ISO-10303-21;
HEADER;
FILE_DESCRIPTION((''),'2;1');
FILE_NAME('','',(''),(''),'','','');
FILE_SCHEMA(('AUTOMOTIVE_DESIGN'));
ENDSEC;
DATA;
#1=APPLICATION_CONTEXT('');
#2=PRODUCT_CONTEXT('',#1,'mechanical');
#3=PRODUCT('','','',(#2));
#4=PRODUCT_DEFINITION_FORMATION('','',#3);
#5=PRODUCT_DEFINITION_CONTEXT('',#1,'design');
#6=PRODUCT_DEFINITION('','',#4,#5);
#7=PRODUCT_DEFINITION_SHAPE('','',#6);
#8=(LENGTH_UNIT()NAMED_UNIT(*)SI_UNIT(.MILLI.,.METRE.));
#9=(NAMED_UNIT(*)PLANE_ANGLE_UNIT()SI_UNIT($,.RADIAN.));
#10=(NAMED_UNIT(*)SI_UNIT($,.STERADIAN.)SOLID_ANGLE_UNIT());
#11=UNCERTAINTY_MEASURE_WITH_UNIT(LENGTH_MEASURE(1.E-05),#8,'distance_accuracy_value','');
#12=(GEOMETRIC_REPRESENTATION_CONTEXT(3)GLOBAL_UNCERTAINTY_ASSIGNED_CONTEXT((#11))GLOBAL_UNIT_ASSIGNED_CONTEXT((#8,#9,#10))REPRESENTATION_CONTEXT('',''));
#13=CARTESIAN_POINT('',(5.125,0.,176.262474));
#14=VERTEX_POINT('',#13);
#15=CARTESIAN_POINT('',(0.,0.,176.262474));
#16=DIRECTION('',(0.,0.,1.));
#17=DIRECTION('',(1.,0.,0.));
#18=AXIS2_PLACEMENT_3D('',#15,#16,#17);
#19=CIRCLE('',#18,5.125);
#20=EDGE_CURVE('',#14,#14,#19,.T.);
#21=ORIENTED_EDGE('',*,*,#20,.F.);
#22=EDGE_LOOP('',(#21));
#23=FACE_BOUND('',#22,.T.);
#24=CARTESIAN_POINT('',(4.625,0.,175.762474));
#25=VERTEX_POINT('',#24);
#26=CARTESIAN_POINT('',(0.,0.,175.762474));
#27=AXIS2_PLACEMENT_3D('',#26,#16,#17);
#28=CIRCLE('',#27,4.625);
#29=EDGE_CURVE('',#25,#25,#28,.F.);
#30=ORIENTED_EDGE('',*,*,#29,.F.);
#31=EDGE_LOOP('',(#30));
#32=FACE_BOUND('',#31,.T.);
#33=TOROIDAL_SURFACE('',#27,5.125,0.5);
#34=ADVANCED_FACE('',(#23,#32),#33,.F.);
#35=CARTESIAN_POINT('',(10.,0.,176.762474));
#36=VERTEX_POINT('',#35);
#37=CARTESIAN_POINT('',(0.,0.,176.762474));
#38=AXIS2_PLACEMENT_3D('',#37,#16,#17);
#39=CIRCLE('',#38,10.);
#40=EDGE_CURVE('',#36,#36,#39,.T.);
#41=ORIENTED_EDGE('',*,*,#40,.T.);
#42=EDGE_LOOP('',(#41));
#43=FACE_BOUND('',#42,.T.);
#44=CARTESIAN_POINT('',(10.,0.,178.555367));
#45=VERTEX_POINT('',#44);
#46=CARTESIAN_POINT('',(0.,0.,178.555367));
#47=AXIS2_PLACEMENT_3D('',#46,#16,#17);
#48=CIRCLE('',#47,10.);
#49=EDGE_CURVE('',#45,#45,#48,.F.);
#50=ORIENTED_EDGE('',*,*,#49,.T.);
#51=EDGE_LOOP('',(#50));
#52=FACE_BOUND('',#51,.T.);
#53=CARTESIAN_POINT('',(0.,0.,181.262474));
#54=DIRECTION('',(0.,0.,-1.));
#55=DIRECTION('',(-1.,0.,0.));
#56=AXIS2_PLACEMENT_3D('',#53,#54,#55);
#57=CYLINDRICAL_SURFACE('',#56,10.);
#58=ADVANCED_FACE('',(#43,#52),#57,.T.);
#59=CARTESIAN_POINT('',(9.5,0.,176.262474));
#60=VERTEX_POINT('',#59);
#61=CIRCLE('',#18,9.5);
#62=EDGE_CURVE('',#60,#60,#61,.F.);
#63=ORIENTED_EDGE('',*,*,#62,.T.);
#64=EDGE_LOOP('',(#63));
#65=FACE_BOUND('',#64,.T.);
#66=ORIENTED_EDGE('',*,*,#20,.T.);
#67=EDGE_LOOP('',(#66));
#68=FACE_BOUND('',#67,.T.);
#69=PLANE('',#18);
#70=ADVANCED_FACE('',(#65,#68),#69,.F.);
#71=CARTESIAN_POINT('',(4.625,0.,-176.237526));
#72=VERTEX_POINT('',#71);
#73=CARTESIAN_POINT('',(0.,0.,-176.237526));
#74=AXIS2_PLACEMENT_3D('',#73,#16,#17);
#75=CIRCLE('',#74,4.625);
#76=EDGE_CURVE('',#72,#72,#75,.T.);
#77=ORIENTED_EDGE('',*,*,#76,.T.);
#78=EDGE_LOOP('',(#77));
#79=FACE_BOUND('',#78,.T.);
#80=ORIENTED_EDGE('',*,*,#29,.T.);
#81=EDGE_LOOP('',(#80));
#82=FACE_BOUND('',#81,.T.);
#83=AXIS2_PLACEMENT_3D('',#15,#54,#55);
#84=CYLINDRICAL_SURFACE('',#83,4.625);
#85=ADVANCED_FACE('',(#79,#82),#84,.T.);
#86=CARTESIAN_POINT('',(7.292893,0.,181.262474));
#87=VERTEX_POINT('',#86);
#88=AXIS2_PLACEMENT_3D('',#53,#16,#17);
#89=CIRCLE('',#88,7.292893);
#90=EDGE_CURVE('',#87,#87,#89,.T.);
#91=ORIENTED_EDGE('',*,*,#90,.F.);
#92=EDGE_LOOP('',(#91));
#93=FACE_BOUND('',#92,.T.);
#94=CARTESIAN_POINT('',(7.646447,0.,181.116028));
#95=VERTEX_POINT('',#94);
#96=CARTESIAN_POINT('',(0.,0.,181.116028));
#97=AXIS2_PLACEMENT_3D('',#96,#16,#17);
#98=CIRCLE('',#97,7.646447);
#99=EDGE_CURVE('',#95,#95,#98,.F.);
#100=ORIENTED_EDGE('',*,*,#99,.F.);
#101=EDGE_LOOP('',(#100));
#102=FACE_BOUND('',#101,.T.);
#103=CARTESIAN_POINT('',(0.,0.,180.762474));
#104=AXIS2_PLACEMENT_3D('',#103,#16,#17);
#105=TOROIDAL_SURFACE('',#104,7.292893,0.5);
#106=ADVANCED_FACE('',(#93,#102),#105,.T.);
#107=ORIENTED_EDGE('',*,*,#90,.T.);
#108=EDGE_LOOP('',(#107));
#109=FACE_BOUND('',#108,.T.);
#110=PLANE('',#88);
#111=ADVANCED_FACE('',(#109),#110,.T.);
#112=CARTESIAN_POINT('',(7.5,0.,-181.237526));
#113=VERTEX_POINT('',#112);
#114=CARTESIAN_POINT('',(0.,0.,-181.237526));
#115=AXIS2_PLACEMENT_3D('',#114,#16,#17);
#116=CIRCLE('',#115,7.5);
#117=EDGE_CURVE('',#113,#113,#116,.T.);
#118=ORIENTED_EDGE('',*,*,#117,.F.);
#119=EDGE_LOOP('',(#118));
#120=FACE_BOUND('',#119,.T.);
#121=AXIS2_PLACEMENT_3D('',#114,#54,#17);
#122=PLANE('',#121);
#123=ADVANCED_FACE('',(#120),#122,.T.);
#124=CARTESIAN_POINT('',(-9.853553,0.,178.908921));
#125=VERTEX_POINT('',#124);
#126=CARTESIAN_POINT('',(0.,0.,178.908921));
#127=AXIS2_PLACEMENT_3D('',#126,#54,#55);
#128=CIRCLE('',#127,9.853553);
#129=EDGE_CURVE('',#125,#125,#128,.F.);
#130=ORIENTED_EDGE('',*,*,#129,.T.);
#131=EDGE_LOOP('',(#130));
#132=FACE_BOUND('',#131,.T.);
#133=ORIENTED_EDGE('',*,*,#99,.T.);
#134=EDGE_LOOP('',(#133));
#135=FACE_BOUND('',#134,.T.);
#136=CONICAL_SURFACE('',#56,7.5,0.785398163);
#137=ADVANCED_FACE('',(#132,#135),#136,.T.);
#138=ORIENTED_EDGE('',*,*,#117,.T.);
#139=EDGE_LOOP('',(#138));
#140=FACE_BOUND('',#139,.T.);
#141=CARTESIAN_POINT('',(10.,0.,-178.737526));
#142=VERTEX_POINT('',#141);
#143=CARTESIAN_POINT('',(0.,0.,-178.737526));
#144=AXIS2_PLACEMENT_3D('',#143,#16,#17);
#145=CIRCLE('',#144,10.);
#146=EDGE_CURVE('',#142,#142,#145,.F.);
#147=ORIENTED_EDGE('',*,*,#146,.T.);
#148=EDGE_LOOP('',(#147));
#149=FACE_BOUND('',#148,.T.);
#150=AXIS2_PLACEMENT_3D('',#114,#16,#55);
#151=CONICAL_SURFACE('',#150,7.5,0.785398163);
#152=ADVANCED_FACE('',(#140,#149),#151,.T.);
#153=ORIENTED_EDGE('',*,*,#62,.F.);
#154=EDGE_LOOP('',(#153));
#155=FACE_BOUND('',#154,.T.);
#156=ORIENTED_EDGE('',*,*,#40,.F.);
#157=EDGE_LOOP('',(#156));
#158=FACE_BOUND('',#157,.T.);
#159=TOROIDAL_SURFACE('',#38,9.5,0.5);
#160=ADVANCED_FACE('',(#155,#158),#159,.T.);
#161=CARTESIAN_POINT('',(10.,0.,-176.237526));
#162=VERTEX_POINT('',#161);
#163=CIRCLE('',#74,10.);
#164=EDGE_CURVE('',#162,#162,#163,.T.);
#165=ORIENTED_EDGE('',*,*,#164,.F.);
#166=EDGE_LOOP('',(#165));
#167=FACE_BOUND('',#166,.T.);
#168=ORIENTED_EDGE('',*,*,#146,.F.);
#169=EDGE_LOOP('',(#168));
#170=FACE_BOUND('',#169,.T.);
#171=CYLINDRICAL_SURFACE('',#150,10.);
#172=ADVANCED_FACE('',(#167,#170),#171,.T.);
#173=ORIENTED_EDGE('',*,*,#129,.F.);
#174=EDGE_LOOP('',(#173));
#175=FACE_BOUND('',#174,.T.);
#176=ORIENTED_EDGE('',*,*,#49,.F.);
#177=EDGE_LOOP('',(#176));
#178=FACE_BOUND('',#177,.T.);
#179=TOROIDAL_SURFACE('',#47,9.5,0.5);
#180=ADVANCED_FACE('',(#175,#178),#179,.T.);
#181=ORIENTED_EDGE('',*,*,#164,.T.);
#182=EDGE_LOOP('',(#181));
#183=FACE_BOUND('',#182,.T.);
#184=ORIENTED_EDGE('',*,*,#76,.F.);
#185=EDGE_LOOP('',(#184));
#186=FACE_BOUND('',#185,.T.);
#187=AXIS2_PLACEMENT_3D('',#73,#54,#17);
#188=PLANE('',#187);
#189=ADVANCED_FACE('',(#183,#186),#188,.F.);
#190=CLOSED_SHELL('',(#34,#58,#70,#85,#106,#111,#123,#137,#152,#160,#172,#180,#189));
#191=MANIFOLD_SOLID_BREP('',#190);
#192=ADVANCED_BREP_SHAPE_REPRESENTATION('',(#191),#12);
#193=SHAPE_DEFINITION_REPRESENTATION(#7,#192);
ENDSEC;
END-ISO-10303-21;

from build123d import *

# Parameters (mm, degrees)
SKETCH1_R           = 0.925
BOSS_EXTRUDE1_DEPTH = 35.25
SKETCH2_R           = 2
BOSS_EXTRUDE2_DEPTH = 1
CHAMFER1_SIZE       = 0.5
FILLET1_R           = 0.1
SCALE1_SCALE        = 5


with BuildPart() as part:
    # Sketch1 → Boss-Extrude1 (new body)
    with BuildSketch(Plane.XY):
        Circle(SKETCH1_R)
    extrude(amount=BOSS_EXTRUDE1_DEPTH)

    # Sketch2 → Boss-Extrude2 (add)
    with BuildSketch(Plane.XY.offset(35.25)):
        Circle(SKETCH2_R)
    extrude(amount=BOSS_EXTRUDE2_DEPTH)

    # Chamfer1
    chamfer1_edges = [part.edges().sort_by_distance(p)[0] for p in [
        (-2, 0, 36.25),
    ]]
    chamfer(chamfer1_edges, length=CHAMFER1_SIZE)

    # Mirror1: part across plane


with BuildPart() as part_1:
    add(part.part)
    add(part.part.mirror(Plane.XY))

    # Fillet1
    fillet1_edges = [part_1.edges().sort_by_distance(p)[0] for p in [
        (-1.5, 0, 36.25),
        (-2, 0, 35.75),
        (-0.925, 0, 35.25),
        (-2, 0, 35.25),
    ]]
    fillet(fillet1_edges, radius=FILLET1_R)


with BuildPart() as part_2:
    # Scale1: scaled about (-2.8e-08, 0, -0.003118898)
    add(part_1.part.scale(SCALE1_SCALE).moved(Location((1.12e-07, 0, 0.012475592))))


solid = part_2.part
